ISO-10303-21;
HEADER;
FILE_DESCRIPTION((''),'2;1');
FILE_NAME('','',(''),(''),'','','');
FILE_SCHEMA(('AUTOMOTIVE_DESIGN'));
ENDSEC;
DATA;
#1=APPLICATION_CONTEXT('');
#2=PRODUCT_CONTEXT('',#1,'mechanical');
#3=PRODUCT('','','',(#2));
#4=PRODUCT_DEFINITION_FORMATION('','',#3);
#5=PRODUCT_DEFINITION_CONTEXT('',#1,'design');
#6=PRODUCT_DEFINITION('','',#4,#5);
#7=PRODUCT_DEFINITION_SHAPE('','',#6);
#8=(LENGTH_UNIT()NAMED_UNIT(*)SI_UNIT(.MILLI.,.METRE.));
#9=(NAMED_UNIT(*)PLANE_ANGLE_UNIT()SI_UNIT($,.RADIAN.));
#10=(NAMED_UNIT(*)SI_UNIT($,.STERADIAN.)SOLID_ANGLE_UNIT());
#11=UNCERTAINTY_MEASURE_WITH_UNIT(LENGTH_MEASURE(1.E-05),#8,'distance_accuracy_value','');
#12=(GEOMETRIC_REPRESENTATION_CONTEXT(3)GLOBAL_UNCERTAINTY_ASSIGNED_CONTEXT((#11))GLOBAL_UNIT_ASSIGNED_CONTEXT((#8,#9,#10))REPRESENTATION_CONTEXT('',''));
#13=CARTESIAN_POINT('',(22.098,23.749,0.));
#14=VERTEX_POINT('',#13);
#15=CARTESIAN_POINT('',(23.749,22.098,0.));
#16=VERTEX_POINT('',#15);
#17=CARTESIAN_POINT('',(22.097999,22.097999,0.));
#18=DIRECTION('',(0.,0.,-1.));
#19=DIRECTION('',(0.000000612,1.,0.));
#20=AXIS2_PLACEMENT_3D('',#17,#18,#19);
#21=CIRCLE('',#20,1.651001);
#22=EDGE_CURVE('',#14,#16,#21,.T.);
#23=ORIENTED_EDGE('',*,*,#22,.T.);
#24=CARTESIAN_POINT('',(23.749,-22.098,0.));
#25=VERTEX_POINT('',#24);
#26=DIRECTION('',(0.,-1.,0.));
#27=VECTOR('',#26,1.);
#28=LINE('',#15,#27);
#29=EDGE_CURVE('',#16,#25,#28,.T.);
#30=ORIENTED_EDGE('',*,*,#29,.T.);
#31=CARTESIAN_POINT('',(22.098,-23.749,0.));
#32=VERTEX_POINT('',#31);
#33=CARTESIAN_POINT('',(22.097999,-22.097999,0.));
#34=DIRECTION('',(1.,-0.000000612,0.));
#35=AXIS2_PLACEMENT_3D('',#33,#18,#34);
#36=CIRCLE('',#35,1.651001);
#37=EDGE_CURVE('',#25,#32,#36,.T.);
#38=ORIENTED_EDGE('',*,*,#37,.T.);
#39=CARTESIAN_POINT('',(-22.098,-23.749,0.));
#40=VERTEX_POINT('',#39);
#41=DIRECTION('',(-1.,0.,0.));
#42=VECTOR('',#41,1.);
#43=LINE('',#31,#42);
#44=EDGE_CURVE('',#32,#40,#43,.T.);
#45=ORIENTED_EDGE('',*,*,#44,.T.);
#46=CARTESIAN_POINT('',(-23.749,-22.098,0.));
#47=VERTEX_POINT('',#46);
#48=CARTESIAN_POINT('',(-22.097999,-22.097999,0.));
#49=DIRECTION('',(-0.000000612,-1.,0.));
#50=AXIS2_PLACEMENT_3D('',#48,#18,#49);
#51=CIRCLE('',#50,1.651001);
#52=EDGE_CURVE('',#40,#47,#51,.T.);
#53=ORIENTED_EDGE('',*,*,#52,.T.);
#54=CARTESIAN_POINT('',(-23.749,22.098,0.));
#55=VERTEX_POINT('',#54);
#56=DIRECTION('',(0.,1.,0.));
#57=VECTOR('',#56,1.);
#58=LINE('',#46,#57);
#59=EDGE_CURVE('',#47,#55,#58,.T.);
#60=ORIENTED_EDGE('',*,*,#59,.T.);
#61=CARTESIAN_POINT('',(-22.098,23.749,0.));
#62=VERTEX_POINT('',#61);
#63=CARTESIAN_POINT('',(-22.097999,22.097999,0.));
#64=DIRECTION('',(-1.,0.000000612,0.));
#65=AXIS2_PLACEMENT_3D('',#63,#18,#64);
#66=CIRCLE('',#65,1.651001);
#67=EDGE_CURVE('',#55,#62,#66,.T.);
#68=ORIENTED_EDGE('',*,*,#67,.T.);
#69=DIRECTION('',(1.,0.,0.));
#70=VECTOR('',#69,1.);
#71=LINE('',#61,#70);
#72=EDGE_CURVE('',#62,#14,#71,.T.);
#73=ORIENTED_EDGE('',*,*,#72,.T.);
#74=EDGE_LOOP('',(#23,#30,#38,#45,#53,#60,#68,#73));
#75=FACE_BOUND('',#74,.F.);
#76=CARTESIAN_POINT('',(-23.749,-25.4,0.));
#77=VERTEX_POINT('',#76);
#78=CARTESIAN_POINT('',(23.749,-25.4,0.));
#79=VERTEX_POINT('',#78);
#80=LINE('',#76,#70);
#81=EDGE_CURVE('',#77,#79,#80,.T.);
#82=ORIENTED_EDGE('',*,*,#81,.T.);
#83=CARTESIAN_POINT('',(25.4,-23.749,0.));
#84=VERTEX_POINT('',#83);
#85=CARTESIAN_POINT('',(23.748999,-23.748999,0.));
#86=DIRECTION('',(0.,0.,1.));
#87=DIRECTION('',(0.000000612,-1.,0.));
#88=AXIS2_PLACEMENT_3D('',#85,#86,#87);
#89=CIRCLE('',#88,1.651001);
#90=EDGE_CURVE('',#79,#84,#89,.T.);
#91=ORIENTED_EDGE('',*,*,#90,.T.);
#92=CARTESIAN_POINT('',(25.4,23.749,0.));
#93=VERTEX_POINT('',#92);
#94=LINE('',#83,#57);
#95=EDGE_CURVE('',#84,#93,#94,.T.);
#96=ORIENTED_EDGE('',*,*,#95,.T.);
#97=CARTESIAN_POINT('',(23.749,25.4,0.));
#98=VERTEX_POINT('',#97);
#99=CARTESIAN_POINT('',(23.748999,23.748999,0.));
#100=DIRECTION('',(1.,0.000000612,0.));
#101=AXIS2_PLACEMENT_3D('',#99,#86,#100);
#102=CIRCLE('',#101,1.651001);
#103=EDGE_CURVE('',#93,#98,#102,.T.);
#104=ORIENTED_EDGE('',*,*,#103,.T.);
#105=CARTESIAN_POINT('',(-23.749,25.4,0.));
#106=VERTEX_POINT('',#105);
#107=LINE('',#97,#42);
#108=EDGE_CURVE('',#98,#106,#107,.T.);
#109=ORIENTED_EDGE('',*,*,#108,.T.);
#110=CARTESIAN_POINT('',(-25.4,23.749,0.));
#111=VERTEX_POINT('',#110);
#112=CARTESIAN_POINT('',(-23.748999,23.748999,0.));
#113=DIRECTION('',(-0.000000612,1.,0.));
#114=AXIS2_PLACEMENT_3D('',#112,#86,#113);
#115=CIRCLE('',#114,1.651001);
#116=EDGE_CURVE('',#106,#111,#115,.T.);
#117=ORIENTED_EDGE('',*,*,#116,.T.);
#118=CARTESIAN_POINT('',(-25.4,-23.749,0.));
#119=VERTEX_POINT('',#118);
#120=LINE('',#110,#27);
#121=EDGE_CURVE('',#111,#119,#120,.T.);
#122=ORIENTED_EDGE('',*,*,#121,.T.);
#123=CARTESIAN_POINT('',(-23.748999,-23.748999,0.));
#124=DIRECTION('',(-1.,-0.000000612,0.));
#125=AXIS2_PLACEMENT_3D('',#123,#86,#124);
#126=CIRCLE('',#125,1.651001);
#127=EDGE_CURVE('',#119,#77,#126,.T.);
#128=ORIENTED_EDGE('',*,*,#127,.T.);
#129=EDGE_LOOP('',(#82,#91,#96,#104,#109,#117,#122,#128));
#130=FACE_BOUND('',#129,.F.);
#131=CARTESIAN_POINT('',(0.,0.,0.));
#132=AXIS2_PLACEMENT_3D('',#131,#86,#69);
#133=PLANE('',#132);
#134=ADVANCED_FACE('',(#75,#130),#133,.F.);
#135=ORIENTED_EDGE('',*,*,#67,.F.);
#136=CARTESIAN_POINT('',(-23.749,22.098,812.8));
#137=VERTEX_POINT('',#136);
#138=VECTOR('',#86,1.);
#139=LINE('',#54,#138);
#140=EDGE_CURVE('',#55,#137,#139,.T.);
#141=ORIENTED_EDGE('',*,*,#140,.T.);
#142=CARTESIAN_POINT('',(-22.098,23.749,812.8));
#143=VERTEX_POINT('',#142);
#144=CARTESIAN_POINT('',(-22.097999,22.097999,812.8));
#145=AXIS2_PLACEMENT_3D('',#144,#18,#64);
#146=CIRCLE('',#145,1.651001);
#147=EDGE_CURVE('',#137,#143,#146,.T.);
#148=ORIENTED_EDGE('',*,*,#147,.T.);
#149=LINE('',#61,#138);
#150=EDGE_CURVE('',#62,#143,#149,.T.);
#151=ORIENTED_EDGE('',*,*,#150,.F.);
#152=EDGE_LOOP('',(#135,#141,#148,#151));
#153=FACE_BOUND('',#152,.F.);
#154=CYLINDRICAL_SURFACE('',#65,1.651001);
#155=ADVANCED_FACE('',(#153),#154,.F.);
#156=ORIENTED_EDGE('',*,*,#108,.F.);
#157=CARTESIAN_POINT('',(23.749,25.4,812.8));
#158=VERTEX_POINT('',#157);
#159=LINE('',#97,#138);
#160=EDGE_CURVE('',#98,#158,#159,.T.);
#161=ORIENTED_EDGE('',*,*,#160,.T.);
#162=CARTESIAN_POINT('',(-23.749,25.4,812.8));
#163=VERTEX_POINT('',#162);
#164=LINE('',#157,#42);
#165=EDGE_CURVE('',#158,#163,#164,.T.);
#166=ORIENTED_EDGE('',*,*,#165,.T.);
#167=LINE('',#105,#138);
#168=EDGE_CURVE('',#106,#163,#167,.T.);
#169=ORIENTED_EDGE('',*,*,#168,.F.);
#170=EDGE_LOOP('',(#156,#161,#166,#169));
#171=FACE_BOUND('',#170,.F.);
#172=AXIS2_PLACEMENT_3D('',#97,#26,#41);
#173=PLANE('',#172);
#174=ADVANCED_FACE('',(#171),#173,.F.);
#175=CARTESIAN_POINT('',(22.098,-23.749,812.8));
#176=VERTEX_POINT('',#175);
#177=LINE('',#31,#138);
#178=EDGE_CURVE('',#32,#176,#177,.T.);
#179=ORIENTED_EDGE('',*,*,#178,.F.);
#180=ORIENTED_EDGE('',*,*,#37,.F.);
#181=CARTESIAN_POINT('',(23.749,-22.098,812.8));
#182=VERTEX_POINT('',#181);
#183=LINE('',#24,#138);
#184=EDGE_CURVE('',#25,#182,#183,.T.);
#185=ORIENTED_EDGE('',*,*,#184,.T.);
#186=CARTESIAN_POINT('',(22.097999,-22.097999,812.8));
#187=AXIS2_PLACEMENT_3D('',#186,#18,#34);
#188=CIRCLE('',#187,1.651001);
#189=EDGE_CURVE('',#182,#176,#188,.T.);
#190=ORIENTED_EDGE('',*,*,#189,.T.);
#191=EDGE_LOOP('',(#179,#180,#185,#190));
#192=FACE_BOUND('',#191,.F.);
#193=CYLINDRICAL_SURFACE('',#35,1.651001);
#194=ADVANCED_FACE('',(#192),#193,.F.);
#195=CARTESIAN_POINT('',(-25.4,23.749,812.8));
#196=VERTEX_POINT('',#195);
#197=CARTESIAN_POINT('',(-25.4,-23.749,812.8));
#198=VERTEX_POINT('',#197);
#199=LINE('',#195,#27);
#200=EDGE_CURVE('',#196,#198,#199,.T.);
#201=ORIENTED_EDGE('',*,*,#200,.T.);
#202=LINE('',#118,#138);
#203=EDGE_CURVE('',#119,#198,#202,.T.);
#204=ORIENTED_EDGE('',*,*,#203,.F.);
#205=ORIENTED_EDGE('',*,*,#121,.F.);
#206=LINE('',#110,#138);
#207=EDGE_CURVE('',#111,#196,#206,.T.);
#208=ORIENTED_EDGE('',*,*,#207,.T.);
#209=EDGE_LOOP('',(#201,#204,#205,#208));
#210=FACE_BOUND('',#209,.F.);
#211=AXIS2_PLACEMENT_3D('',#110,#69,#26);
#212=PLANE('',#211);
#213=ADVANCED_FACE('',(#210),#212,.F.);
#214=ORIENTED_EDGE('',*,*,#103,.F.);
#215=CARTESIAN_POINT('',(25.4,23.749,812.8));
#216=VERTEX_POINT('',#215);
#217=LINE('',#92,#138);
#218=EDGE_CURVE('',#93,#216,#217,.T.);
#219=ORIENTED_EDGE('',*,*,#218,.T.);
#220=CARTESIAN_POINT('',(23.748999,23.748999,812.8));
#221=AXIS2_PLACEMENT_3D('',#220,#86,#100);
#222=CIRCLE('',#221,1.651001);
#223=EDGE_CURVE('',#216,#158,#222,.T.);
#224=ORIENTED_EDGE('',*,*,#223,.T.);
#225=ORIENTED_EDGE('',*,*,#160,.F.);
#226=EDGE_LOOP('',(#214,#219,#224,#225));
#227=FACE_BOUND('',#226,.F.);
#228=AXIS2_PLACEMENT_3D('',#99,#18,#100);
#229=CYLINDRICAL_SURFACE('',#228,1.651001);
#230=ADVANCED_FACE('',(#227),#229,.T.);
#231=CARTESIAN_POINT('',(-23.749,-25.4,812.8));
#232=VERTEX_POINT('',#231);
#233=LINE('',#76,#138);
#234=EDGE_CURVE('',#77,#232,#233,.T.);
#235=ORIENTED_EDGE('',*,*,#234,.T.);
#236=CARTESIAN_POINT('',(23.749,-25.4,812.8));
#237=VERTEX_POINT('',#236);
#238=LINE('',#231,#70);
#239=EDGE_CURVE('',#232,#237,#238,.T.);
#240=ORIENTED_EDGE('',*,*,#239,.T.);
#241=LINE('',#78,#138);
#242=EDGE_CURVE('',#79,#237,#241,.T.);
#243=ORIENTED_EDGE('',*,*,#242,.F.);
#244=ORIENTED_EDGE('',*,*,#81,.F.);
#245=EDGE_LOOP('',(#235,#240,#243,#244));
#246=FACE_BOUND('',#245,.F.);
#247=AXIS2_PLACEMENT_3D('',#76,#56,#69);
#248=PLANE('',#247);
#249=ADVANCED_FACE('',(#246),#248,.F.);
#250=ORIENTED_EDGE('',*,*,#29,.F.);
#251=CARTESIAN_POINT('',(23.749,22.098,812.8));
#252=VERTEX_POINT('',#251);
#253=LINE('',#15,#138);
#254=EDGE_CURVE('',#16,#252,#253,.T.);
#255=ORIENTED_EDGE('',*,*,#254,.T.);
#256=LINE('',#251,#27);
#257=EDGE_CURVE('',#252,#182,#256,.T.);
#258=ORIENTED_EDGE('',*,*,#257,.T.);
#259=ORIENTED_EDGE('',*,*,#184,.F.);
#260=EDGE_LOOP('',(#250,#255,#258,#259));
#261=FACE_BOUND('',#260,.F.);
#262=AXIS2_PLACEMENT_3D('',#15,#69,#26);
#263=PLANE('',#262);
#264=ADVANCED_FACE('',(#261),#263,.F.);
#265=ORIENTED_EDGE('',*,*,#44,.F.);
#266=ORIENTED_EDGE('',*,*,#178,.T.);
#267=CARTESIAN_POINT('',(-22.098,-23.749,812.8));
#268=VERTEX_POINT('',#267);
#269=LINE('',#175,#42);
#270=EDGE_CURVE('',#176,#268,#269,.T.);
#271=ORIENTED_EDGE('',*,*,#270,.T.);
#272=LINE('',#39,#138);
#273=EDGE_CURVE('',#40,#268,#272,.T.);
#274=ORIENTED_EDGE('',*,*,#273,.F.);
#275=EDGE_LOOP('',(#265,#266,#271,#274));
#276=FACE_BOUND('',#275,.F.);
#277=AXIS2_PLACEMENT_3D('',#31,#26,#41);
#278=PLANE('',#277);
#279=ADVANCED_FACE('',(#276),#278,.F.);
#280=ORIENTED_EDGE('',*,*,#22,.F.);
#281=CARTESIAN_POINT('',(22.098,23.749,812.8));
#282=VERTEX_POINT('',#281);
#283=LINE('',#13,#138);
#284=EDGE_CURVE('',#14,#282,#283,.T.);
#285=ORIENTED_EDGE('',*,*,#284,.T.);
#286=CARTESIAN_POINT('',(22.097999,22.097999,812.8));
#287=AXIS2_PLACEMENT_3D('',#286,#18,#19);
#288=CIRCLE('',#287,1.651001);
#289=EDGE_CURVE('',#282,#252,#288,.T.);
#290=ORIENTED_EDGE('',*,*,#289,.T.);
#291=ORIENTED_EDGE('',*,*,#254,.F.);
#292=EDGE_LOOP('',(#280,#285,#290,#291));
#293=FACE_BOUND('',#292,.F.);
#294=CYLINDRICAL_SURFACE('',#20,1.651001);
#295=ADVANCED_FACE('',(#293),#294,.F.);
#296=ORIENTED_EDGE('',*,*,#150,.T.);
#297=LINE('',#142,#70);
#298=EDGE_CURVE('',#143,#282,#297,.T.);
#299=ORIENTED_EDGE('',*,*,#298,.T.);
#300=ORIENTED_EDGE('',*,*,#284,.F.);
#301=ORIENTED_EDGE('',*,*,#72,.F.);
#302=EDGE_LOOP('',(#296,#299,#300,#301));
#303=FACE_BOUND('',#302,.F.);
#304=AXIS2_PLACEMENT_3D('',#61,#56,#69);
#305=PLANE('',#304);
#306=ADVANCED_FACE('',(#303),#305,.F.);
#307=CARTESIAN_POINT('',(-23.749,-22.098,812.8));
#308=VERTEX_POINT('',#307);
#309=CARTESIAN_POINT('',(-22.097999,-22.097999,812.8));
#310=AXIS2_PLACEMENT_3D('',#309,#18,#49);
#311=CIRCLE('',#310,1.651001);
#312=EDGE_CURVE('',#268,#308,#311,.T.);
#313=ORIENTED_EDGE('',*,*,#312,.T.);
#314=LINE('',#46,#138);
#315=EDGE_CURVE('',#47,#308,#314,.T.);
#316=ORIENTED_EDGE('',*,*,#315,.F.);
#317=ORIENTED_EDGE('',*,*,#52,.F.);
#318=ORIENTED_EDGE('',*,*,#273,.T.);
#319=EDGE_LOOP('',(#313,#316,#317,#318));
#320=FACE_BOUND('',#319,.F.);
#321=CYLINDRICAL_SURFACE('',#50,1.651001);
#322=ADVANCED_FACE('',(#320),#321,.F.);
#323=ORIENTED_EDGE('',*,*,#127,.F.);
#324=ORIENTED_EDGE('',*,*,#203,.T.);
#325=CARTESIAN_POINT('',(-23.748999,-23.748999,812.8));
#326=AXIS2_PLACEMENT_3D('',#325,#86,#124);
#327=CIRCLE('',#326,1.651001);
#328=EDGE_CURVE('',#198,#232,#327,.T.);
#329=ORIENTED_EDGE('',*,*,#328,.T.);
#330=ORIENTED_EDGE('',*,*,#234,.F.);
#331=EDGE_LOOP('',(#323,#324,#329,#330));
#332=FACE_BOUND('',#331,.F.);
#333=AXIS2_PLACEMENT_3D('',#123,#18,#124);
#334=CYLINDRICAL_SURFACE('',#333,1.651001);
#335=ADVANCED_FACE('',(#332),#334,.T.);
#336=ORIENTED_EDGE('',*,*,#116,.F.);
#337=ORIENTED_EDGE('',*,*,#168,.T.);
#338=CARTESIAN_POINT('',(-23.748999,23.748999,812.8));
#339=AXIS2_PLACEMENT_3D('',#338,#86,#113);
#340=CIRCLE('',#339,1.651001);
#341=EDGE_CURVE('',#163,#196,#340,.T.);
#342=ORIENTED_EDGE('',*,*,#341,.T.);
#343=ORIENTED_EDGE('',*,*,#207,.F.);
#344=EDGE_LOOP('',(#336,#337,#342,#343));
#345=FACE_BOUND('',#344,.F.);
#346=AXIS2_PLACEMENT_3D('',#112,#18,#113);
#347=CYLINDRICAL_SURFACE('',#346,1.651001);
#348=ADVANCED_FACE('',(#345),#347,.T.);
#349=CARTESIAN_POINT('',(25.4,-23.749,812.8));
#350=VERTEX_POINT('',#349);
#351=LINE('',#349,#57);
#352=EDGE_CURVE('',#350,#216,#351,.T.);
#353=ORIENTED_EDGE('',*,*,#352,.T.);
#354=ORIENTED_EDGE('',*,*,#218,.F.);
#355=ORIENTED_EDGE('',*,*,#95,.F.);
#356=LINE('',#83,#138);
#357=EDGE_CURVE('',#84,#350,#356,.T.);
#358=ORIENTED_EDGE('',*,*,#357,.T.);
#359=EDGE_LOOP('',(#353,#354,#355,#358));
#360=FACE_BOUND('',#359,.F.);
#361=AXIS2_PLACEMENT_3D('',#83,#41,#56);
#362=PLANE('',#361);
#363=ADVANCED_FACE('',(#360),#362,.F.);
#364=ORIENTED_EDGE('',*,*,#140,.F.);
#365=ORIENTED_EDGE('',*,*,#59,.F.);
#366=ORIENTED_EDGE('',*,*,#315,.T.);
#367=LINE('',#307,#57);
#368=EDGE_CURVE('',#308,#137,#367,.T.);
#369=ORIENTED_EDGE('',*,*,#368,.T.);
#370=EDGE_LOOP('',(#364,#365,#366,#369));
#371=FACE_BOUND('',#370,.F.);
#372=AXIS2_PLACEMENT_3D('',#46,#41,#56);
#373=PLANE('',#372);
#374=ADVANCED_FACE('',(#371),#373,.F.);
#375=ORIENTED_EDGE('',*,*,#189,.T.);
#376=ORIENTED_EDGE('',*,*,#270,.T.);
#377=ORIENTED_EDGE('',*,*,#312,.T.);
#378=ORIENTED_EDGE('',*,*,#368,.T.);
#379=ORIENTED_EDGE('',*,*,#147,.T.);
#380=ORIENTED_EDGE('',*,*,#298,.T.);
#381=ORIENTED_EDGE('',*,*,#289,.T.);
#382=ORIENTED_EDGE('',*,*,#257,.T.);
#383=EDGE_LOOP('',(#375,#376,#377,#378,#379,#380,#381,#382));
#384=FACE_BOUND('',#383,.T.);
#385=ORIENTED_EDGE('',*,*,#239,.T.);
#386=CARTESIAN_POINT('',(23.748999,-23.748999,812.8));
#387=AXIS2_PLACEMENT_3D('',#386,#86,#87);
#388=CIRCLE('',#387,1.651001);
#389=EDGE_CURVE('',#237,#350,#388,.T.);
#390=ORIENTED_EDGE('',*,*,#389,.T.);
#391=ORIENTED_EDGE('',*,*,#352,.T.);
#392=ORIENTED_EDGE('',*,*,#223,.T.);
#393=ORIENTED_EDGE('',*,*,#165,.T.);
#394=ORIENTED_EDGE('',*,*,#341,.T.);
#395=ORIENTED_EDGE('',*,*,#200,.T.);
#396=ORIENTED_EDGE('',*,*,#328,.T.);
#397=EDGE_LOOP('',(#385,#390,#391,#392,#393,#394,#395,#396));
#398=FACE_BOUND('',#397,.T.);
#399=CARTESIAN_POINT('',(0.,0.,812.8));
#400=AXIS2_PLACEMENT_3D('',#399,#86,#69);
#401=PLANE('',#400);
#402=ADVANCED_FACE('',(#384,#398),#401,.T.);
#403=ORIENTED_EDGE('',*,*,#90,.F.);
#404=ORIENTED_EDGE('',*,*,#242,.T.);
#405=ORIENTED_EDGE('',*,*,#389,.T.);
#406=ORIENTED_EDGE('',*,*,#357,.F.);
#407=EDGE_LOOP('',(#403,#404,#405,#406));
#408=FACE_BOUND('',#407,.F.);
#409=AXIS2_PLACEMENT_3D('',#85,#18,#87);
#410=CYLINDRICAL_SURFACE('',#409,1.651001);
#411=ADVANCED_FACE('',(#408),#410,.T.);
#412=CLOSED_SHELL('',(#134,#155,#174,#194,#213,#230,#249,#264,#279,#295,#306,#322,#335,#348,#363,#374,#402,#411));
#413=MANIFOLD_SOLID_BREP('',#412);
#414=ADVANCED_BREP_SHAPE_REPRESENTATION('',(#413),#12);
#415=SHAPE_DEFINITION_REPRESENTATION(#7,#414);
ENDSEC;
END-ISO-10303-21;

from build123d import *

# Parameters (mm, degrees)
F1_DEPTH = 812.8


with BuildPart() as f1:
    # F0 (on Top) → F1 (new body)
    with BuildSketch(Plane.XY):
        with BuildLine():
            Line((-23.749, -25.4), (23.749, -25.4))
            ThreePointArc((23.749, -25.4), (24.916433, -24.916433), (25.4, -23.749))
            Line((25.4, -23.749), (25.4, 23.749))
            ThreePointArc((25.4, 23.749), (24.916433, 24.916433), (23.749, 25.4))
            Line((23.749, 25.4), (-23.749, 25.4))
            ThreePointArc((-23.749, 25.4), (-24.916433, 24.916433), (-25.4, 23.749))
            Line((-25.4, 23.749), (-25.4, -23.749))
            ThreePointArc((-25.4, -23.749), (-24.916433, -24.916433), (-23.749, -25.4))
        make_face()
        with BuildLine():
            Line((-22.098, 23.749), (22.098, 23.749))
            ThreePointArc((22.098, 23.749), (23.265433, 23.265433), (23.749, 22.098))
            Line((23.749, 22.098), (23.749, -22.098))
            ThreePointArc((23.749, -22.098), (23.265433, -23.265433), (22.098, -23.749))
            Line((22.098, -23.749), (-22.098, -23.749))
            ThreePointArc((-22.098, -23.749), (-23.265433, -23.265433), (-23.749, -22.098))
            Line((-23.749, -22.098), (-23.749, 22.098))
            ThreePointArc((-23.749, 22.098), (-23.265433, 23.265433), (-22.098, 23.749))
        make_face(mode=Mode.SUBTRACT)
    extrude(amount=F1_DEPTH)


solid = f1.part
